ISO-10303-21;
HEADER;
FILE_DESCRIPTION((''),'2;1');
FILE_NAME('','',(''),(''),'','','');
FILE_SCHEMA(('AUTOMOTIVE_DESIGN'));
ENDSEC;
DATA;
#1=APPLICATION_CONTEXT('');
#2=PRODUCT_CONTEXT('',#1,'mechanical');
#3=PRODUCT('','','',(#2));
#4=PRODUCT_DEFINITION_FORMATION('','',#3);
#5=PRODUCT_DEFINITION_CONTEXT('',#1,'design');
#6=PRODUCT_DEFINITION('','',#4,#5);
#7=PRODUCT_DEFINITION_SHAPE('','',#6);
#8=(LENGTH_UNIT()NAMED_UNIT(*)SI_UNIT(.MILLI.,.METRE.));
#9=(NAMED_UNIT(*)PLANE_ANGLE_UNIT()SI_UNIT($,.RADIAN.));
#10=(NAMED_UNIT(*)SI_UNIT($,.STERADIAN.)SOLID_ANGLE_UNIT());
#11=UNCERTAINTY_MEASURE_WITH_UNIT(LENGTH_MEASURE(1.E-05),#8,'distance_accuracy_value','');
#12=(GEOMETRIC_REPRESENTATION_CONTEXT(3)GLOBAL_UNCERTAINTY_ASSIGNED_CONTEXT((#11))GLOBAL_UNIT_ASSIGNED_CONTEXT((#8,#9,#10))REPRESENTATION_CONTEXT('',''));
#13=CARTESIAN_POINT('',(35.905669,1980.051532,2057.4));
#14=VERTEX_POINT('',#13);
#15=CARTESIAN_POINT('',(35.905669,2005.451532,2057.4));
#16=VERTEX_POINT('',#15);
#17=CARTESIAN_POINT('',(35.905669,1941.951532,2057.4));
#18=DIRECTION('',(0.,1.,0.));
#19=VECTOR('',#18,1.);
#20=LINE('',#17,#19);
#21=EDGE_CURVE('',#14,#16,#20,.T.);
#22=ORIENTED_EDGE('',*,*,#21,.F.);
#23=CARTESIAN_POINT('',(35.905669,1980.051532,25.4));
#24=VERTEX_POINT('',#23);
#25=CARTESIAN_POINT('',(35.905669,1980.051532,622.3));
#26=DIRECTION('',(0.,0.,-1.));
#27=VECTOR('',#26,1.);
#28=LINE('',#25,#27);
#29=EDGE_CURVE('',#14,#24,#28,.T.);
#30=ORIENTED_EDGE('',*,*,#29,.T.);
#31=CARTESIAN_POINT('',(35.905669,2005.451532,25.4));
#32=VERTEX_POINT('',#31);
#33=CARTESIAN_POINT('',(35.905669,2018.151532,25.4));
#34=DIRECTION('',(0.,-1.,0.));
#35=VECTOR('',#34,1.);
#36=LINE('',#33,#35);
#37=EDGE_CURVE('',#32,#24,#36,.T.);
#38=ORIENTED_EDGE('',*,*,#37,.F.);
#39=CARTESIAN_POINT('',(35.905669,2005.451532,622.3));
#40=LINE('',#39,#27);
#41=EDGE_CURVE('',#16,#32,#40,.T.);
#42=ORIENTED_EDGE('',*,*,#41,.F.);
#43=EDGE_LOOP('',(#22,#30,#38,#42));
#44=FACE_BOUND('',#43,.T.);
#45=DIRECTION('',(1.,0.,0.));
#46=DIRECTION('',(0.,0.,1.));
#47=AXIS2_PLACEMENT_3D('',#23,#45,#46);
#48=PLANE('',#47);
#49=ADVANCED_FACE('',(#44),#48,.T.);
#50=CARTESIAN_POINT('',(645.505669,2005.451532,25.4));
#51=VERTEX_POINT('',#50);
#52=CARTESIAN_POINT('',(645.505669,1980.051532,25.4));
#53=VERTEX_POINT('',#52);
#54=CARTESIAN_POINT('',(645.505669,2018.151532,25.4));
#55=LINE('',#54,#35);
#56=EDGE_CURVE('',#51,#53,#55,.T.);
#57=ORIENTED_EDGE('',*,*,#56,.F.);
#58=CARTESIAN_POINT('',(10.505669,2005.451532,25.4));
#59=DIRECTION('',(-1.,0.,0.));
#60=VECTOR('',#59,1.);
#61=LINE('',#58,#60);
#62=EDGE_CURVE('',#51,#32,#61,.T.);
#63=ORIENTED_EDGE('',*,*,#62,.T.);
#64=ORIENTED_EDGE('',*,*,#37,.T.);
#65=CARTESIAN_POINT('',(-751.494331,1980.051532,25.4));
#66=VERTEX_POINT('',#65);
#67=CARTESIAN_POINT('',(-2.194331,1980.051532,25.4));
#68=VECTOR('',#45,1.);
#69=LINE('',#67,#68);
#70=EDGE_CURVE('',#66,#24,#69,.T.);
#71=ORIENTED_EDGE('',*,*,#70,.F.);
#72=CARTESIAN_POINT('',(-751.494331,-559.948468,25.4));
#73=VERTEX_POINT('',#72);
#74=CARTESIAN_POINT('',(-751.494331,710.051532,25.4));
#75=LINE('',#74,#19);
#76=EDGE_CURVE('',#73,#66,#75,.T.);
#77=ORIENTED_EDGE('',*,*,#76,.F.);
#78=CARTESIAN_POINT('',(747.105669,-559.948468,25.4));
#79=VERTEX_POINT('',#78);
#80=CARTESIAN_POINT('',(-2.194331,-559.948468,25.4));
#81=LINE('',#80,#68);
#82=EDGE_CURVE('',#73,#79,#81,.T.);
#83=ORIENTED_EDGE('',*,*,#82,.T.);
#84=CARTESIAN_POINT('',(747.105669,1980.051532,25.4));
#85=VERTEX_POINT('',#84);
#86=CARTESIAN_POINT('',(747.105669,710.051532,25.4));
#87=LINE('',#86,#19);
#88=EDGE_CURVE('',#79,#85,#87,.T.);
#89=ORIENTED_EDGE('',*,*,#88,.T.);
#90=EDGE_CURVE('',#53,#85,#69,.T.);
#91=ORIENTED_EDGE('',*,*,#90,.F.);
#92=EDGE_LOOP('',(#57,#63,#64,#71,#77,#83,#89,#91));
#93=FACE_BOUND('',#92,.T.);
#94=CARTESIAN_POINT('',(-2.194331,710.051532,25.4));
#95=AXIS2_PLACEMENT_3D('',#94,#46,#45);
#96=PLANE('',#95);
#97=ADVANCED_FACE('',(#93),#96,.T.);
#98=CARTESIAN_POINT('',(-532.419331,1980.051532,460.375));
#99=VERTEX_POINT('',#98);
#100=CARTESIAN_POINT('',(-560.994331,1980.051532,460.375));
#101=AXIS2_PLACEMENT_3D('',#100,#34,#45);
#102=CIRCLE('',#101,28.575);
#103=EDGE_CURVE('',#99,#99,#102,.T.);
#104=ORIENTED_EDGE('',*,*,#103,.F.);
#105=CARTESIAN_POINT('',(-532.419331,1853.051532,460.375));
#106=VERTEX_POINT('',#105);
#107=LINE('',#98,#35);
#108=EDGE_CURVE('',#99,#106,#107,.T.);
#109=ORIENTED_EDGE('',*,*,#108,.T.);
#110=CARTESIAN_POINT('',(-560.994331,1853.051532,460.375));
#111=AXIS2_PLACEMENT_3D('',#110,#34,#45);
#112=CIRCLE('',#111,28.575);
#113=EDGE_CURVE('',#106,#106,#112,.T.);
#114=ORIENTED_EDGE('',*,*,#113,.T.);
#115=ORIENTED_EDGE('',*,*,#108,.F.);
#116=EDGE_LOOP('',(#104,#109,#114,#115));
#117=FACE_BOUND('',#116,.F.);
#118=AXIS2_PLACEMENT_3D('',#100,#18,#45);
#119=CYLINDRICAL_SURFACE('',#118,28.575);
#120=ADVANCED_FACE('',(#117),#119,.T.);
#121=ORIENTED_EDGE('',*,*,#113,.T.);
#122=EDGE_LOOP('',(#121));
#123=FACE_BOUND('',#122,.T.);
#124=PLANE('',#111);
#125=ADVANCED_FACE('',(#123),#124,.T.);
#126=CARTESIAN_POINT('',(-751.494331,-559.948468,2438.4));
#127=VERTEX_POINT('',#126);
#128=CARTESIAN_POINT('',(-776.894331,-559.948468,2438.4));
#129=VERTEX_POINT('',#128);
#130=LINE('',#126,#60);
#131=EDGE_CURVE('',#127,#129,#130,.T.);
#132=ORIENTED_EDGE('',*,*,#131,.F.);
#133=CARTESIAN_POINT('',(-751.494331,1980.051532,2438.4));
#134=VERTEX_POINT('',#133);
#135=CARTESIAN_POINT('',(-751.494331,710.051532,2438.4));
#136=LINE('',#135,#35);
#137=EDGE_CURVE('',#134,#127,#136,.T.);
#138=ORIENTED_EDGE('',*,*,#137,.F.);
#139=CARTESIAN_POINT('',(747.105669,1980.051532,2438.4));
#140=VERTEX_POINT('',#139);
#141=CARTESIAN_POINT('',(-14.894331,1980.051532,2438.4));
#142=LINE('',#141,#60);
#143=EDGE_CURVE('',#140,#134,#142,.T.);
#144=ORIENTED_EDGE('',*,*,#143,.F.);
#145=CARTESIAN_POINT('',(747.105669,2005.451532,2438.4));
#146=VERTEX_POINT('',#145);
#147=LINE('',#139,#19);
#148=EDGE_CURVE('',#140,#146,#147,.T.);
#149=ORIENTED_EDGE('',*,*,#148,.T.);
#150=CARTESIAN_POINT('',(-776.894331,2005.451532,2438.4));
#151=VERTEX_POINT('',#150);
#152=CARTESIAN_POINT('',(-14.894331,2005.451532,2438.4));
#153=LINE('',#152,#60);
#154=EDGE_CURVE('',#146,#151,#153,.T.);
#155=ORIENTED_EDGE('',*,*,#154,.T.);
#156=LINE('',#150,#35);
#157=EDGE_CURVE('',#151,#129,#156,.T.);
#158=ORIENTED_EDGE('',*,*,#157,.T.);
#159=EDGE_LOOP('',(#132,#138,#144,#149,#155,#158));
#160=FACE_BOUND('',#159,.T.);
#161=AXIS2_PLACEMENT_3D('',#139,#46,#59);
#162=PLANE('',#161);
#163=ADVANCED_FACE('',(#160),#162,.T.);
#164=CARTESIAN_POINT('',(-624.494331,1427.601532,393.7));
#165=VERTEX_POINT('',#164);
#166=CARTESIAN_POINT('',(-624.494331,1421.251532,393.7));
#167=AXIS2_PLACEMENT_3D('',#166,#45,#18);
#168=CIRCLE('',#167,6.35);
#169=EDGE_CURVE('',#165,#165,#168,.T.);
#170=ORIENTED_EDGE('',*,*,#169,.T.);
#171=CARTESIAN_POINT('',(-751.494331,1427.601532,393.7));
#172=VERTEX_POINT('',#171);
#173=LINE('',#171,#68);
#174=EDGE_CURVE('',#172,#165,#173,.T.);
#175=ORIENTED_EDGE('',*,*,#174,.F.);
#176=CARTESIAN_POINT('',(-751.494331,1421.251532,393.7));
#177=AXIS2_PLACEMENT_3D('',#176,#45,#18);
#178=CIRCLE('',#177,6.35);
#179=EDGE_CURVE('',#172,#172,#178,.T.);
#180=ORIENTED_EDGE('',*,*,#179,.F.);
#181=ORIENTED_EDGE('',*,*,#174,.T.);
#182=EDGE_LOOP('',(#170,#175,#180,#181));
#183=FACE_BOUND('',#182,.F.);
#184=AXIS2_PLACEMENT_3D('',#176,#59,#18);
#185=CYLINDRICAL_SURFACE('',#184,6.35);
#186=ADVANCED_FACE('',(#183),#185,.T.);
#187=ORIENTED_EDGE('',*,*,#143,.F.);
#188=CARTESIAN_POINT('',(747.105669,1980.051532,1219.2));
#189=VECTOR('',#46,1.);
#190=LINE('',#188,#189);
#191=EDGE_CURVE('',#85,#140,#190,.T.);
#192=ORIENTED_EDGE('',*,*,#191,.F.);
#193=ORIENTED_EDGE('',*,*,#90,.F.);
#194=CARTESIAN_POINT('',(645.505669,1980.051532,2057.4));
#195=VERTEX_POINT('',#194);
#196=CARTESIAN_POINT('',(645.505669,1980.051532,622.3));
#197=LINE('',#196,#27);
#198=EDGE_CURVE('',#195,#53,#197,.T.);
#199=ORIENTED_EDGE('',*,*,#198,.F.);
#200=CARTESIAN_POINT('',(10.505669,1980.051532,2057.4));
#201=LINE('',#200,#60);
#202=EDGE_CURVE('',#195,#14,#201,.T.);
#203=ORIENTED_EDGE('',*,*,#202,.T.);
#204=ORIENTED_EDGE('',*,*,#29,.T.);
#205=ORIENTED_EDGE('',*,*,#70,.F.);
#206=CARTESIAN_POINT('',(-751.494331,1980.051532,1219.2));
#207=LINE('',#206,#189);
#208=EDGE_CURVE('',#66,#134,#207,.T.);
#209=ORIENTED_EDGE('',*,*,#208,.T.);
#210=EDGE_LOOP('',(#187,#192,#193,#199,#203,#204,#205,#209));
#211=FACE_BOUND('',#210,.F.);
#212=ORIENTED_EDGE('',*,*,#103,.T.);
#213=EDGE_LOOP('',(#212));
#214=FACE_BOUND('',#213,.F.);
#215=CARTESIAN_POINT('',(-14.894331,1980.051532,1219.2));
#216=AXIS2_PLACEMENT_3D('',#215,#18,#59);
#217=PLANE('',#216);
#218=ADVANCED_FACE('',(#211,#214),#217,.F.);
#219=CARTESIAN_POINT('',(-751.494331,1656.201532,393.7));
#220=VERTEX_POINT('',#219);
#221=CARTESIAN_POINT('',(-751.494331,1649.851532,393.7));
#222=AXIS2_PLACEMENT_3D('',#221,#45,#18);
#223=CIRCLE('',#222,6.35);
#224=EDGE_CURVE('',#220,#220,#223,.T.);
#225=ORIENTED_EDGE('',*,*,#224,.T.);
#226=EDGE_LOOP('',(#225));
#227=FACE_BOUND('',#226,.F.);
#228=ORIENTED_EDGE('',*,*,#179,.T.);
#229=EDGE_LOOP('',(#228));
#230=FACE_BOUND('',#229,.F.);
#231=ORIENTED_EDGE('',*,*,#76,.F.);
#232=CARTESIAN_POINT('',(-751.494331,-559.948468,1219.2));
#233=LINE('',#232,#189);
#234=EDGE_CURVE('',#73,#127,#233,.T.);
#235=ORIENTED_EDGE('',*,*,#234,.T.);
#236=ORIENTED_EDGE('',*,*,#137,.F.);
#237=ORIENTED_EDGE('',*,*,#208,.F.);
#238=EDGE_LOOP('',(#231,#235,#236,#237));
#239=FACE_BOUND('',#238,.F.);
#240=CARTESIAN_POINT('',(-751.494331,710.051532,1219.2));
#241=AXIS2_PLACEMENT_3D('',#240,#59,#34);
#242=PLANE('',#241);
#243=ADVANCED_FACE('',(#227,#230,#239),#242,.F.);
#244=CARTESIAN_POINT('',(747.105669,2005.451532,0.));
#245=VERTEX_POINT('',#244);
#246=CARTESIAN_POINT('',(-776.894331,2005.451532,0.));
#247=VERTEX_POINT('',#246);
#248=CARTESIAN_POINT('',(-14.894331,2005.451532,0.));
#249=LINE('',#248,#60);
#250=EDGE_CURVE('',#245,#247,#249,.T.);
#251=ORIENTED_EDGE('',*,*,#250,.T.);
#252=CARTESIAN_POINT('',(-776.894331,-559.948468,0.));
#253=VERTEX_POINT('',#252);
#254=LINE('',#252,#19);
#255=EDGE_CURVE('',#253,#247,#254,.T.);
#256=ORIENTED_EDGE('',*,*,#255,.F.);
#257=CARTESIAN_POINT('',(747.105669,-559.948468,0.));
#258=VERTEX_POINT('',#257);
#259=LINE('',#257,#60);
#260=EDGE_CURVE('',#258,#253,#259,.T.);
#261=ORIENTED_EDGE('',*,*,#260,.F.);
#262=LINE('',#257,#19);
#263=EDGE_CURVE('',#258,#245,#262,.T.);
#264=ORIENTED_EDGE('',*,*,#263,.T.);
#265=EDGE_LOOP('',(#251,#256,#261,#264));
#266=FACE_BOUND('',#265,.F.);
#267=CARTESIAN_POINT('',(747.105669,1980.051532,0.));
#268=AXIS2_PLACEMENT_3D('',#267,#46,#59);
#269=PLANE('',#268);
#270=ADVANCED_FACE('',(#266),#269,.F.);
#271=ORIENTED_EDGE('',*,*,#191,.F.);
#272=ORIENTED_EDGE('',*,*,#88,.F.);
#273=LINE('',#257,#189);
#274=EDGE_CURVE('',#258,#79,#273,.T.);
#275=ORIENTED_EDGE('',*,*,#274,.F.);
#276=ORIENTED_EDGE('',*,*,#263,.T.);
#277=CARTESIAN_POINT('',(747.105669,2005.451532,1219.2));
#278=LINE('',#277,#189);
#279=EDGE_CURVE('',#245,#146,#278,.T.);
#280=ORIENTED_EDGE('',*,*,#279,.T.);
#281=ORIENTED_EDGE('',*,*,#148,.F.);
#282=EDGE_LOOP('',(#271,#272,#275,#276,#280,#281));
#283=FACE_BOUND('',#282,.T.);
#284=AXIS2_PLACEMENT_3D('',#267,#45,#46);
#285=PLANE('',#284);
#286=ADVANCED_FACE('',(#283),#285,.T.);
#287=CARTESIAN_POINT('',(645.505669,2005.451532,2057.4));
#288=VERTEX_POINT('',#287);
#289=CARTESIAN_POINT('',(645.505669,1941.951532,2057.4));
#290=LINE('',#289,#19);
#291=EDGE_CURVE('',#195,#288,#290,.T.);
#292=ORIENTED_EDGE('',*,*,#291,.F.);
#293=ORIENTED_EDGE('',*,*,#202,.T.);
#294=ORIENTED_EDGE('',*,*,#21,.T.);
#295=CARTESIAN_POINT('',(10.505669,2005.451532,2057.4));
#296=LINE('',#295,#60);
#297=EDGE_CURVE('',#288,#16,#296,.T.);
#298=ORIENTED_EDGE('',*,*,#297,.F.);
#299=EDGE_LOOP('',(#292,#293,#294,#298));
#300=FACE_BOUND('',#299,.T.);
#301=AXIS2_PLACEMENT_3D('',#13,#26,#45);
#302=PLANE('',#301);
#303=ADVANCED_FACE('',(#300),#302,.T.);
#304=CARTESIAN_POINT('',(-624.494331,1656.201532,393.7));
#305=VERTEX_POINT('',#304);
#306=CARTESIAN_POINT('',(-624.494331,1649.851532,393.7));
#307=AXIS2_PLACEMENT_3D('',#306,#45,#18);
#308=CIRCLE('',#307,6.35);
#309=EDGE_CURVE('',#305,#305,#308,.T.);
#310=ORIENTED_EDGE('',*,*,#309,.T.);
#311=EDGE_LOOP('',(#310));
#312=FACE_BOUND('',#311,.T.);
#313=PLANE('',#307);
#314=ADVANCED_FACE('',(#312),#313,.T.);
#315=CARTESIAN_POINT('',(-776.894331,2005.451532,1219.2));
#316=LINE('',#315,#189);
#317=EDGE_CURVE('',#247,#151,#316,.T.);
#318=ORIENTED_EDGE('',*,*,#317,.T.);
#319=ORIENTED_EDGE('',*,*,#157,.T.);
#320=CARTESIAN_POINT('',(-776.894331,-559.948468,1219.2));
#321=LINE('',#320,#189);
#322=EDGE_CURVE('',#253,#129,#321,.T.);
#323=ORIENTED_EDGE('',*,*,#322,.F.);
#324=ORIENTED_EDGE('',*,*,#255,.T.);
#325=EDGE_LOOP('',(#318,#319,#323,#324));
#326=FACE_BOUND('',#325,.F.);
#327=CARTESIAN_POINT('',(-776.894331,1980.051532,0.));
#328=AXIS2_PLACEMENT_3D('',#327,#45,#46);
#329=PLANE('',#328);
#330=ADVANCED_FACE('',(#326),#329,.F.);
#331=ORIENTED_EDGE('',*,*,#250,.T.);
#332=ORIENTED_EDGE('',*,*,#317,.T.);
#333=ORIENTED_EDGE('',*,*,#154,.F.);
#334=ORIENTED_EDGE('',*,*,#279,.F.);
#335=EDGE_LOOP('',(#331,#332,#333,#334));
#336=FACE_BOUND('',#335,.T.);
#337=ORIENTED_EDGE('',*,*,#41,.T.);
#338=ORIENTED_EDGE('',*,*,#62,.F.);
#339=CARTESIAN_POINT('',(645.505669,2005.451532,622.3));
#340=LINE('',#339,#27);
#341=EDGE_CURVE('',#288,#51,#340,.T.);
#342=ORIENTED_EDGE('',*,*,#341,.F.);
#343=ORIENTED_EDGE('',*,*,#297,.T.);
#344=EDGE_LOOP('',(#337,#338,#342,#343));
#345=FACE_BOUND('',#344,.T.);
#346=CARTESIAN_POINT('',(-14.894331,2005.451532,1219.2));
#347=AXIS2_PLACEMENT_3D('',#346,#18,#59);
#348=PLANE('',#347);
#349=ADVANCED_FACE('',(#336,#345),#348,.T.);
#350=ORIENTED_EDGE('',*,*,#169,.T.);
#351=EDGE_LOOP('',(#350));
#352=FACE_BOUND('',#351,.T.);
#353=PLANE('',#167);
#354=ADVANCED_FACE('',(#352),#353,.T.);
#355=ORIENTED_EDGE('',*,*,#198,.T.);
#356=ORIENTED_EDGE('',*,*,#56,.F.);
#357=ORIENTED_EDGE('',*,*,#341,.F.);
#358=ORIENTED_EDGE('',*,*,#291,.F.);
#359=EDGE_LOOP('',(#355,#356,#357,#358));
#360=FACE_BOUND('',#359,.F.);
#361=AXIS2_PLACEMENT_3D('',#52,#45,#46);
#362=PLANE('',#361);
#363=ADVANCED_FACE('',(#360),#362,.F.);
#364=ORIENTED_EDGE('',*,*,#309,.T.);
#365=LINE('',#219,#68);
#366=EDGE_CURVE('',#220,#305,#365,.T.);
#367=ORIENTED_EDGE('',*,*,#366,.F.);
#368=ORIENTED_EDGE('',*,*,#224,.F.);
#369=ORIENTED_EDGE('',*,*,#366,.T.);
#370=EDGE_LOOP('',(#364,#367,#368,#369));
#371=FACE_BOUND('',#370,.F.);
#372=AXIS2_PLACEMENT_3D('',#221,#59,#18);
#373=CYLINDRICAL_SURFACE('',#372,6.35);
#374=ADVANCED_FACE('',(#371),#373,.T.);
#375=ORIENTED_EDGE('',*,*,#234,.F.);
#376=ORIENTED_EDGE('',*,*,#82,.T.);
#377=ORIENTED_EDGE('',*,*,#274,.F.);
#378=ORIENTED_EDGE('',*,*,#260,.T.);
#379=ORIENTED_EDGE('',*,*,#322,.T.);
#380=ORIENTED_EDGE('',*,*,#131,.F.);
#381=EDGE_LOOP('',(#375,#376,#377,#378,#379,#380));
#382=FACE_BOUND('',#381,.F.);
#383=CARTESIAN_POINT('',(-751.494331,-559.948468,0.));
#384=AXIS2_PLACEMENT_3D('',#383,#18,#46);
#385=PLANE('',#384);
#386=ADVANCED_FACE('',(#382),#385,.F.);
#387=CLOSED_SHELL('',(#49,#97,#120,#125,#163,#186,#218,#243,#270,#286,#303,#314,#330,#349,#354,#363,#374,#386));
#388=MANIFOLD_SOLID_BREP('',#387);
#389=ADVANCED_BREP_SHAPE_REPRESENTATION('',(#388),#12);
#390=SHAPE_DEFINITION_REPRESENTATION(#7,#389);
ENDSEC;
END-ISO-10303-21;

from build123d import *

# Parameters (mm, degrees)
F0_W      = 1498.6
F0_H      = 2540
F1_DEPTH  = 25.4
F2_W      = 2540
F2_H      = 2438.4
F3_DEPTH  = 25.4
F4_R      = 6.35
F5_DEPTH  = 127
F6_W      = 1524
F6_H      = 2438.4
F7_DEPTH  = 25.4
F8_R      = 28.575
F9_DEPTH  = 127
F10_W     = 609.6
F10_H     = 2032
F11_DEPTH = 38.1


with BuildPart() as f1:
    # F0 (on Top) → F1 (new body)
    with BuildSketch(Plane.XY):
        with Locations((-2.194331, 710.051532)):
            Rectangle(F0_W, F0_H)
    extrude(amount=F1_DEPTH)

    # F2 (on face) → F3 (join)
    with BuildSketch(Plane(origin=(-751.494331, 0, 0), x_dir=(0, -1, 0), z_dir=(-1, 0, 0))):
        with Locations((-710.051532, 1219.2)):
            Rectangle(F2_W, F2_H)
    extrude(amount=F3_DEPTH)

    # F4 (on face) → F5 (join)
    with BuildSketch(Plane.YZ.offset(-751.494331)):
        with Locations((1649.851532, 393.7)):
            Circle(F4_R)
        with Locations((1421.251532, 393.7)):
            Circle(F4_R)
    extrude(amount=F5_DEPTH)

    # F6 (on face) → F7 (join)
    with BuildSketch(Plane(origin=(0, 1980.051532, 0), x_dir=(-1, 0, 0), z_dir=(0, 1, 0))):
        with Locations((14.894331, 1219.2)):
            Rectangle(F6_W, F6_H)
    extrude(amount=F7_DEPTH)

    # F8 (on face) → F9 (join)
    with BuildSketch(Plane.XZ.offset(-1980.051532)):
        with Locations((-560.994331, 460.375)):
            Circle(F8_R)
    extrude(amount=F9_DEPTH)

    # F10 (on face) → F11 (cut, symmetric)
    with BuildSketch(Plane.XZ.offset(-1980.051532)):
        with Locations((340.705669, 1041.4)):
            Rectangle(F10_W, F10_H)
    extrude(amount=F11_DEPTH, both=True, mode=Mode.SUBTRACT)


solid = f1.part
